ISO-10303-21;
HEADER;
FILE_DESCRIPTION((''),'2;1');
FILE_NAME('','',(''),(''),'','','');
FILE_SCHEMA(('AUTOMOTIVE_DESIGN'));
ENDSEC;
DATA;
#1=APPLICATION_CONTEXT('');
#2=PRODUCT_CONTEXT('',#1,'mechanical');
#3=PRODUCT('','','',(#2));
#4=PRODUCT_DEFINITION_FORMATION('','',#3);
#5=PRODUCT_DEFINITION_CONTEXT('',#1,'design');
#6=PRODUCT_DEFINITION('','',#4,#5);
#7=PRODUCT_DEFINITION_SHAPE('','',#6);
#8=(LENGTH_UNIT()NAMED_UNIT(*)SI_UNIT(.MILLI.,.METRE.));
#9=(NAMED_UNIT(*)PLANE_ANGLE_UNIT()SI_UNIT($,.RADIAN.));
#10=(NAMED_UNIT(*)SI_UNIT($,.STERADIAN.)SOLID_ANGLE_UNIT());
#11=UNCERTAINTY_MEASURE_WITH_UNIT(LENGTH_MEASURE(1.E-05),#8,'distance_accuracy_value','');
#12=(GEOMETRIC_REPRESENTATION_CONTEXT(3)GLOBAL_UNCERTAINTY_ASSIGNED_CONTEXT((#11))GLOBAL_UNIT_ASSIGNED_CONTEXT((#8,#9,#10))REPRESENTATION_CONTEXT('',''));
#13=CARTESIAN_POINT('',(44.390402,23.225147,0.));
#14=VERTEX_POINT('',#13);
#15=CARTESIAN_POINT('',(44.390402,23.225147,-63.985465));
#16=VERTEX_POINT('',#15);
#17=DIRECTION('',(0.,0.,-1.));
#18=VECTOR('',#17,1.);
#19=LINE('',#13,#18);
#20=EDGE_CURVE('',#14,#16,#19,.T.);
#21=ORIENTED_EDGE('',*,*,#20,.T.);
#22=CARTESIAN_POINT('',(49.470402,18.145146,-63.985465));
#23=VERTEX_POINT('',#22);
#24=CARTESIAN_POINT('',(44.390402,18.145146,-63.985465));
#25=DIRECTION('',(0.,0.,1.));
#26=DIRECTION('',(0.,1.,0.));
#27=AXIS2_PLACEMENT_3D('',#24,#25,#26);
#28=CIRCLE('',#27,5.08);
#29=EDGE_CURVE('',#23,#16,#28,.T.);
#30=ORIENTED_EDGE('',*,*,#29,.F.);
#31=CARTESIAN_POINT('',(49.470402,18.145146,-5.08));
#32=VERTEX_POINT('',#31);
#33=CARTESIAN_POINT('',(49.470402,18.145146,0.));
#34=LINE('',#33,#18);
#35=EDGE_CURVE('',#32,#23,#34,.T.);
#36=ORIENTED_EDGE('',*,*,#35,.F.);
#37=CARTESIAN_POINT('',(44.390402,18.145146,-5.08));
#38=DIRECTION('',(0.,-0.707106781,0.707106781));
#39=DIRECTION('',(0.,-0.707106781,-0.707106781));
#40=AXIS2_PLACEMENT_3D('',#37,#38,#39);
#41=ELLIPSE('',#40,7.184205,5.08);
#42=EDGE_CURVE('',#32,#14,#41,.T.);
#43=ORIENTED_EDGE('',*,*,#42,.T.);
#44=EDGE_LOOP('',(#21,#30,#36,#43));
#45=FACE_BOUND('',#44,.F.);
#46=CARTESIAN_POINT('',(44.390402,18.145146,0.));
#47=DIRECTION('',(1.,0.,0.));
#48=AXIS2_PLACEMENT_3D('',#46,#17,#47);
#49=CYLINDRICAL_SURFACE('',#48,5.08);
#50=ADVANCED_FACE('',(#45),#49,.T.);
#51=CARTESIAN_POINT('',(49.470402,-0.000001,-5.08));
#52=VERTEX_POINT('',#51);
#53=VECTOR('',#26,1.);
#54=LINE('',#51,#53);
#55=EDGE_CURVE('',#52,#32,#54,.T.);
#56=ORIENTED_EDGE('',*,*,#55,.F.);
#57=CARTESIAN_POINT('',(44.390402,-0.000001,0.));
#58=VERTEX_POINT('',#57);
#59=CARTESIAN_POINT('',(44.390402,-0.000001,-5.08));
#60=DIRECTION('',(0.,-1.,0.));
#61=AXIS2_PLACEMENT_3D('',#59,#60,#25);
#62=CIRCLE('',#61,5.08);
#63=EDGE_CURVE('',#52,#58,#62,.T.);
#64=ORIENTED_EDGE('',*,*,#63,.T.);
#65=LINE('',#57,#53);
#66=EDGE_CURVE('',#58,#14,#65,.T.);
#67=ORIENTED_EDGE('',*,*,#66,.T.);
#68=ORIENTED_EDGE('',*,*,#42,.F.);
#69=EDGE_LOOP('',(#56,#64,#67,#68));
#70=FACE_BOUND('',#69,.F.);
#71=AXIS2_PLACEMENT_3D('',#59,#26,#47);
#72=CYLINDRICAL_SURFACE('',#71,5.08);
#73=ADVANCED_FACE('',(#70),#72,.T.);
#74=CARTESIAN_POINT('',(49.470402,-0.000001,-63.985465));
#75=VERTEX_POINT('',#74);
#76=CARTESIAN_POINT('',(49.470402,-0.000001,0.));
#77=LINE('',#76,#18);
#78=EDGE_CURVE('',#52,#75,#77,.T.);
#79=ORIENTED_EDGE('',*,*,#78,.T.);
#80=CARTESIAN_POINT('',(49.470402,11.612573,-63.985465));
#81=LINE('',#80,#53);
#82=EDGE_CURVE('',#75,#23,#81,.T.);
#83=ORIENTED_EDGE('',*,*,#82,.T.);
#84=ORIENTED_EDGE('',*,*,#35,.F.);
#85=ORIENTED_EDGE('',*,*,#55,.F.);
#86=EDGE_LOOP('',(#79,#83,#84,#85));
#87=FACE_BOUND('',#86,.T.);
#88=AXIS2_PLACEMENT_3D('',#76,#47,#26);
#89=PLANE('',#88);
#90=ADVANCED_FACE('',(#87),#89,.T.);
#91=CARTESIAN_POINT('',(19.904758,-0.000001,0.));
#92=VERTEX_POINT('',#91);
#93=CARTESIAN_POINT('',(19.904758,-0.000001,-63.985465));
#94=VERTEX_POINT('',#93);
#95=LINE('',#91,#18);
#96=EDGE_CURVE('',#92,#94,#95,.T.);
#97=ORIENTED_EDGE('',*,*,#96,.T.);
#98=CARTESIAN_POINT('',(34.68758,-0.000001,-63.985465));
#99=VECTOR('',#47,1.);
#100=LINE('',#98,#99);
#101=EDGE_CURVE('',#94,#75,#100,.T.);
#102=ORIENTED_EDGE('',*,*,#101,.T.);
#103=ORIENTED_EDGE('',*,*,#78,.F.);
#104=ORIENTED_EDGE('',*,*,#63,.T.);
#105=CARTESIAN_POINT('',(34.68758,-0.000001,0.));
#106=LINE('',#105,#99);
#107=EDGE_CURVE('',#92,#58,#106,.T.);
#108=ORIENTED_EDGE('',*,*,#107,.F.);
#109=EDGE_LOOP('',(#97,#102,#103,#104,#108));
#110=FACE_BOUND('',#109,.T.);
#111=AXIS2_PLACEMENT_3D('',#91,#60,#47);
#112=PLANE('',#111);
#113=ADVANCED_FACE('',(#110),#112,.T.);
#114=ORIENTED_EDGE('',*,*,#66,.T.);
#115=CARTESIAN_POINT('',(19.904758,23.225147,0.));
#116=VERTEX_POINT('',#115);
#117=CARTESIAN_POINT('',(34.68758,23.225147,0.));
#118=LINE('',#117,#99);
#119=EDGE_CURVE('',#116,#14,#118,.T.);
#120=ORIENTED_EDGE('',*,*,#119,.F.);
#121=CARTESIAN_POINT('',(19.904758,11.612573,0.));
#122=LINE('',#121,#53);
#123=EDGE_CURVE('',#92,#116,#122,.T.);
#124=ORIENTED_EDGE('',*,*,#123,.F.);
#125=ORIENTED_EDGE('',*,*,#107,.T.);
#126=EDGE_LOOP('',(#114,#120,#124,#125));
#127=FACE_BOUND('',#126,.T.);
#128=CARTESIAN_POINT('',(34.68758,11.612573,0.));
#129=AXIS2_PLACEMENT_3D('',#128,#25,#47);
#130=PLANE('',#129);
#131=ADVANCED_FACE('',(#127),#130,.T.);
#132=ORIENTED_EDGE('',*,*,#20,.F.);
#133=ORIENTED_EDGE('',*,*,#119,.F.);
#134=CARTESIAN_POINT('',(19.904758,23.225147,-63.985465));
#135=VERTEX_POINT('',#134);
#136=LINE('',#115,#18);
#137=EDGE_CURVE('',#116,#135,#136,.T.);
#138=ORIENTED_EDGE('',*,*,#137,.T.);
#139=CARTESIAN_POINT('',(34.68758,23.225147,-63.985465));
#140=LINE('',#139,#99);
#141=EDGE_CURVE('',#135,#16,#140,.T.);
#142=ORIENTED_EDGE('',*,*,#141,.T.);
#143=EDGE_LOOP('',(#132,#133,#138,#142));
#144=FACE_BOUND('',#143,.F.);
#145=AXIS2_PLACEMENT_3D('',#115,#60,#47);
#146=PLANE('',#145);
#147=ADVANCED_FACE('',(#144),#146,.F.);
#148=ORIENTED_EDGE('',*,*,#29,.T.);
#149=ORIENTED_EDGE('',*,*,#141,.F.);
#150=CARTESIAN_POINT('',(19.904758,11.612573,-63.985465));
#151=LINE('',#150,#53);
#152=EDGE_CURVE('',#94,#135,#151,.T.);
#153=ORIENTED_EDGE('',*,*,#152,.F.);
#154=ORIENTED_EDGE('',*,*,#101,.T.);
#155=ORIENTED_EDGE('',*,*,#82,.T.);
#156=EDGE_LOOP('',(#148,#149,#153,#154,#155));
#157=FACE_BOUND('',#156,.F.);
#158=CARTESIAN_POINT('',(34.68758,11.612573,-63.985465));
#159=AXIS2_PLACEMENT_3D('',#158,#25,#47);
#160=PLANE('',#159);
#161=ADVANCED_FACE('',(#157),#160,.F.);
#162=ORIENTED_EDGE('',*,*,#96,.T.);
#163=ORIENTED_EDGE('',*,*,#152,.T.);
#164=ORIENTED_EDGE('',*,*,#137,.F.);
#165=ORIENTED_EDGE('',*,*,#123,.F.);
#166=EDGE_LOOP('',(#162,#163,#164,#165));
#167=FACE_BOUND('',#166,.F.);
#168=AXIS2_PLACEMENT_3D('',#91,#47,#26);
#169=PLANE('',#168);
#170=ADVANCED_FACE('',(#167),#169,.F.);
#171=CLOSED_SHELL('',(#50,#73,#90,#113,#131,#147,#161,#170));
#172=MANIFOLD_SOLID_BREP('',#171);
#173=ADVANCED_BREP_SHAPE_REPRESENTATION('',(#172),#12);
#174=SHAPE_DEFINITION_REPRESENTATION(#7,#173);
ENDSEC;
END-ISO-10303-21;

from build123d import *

# Parameters (mm, degrees)
F0_W     = 29.565643
F0_H     = 23.225147
F1_DEPTH = 63.985465
F2_R     = 5.08


with BuildPart() as f1:
    # F0 (on Top) → F1 (new body)
    with BuildSketch(Plane.XY):
        with Locations((34.68758, 11.612573)):
            Rectangle(F0_W, F0_H)
    extrude(amount=-F1_DEPTH)

    # F2
    f2_edges = [f1.edges().sort_by_distance(p)[0] for p in [
        (49.470402, 23.225147, -31.992733),
        (49.470402, 11.612574, 0),
    ]]
    fillet(f2_edges, radius=F2_R)


solid = f1.part
